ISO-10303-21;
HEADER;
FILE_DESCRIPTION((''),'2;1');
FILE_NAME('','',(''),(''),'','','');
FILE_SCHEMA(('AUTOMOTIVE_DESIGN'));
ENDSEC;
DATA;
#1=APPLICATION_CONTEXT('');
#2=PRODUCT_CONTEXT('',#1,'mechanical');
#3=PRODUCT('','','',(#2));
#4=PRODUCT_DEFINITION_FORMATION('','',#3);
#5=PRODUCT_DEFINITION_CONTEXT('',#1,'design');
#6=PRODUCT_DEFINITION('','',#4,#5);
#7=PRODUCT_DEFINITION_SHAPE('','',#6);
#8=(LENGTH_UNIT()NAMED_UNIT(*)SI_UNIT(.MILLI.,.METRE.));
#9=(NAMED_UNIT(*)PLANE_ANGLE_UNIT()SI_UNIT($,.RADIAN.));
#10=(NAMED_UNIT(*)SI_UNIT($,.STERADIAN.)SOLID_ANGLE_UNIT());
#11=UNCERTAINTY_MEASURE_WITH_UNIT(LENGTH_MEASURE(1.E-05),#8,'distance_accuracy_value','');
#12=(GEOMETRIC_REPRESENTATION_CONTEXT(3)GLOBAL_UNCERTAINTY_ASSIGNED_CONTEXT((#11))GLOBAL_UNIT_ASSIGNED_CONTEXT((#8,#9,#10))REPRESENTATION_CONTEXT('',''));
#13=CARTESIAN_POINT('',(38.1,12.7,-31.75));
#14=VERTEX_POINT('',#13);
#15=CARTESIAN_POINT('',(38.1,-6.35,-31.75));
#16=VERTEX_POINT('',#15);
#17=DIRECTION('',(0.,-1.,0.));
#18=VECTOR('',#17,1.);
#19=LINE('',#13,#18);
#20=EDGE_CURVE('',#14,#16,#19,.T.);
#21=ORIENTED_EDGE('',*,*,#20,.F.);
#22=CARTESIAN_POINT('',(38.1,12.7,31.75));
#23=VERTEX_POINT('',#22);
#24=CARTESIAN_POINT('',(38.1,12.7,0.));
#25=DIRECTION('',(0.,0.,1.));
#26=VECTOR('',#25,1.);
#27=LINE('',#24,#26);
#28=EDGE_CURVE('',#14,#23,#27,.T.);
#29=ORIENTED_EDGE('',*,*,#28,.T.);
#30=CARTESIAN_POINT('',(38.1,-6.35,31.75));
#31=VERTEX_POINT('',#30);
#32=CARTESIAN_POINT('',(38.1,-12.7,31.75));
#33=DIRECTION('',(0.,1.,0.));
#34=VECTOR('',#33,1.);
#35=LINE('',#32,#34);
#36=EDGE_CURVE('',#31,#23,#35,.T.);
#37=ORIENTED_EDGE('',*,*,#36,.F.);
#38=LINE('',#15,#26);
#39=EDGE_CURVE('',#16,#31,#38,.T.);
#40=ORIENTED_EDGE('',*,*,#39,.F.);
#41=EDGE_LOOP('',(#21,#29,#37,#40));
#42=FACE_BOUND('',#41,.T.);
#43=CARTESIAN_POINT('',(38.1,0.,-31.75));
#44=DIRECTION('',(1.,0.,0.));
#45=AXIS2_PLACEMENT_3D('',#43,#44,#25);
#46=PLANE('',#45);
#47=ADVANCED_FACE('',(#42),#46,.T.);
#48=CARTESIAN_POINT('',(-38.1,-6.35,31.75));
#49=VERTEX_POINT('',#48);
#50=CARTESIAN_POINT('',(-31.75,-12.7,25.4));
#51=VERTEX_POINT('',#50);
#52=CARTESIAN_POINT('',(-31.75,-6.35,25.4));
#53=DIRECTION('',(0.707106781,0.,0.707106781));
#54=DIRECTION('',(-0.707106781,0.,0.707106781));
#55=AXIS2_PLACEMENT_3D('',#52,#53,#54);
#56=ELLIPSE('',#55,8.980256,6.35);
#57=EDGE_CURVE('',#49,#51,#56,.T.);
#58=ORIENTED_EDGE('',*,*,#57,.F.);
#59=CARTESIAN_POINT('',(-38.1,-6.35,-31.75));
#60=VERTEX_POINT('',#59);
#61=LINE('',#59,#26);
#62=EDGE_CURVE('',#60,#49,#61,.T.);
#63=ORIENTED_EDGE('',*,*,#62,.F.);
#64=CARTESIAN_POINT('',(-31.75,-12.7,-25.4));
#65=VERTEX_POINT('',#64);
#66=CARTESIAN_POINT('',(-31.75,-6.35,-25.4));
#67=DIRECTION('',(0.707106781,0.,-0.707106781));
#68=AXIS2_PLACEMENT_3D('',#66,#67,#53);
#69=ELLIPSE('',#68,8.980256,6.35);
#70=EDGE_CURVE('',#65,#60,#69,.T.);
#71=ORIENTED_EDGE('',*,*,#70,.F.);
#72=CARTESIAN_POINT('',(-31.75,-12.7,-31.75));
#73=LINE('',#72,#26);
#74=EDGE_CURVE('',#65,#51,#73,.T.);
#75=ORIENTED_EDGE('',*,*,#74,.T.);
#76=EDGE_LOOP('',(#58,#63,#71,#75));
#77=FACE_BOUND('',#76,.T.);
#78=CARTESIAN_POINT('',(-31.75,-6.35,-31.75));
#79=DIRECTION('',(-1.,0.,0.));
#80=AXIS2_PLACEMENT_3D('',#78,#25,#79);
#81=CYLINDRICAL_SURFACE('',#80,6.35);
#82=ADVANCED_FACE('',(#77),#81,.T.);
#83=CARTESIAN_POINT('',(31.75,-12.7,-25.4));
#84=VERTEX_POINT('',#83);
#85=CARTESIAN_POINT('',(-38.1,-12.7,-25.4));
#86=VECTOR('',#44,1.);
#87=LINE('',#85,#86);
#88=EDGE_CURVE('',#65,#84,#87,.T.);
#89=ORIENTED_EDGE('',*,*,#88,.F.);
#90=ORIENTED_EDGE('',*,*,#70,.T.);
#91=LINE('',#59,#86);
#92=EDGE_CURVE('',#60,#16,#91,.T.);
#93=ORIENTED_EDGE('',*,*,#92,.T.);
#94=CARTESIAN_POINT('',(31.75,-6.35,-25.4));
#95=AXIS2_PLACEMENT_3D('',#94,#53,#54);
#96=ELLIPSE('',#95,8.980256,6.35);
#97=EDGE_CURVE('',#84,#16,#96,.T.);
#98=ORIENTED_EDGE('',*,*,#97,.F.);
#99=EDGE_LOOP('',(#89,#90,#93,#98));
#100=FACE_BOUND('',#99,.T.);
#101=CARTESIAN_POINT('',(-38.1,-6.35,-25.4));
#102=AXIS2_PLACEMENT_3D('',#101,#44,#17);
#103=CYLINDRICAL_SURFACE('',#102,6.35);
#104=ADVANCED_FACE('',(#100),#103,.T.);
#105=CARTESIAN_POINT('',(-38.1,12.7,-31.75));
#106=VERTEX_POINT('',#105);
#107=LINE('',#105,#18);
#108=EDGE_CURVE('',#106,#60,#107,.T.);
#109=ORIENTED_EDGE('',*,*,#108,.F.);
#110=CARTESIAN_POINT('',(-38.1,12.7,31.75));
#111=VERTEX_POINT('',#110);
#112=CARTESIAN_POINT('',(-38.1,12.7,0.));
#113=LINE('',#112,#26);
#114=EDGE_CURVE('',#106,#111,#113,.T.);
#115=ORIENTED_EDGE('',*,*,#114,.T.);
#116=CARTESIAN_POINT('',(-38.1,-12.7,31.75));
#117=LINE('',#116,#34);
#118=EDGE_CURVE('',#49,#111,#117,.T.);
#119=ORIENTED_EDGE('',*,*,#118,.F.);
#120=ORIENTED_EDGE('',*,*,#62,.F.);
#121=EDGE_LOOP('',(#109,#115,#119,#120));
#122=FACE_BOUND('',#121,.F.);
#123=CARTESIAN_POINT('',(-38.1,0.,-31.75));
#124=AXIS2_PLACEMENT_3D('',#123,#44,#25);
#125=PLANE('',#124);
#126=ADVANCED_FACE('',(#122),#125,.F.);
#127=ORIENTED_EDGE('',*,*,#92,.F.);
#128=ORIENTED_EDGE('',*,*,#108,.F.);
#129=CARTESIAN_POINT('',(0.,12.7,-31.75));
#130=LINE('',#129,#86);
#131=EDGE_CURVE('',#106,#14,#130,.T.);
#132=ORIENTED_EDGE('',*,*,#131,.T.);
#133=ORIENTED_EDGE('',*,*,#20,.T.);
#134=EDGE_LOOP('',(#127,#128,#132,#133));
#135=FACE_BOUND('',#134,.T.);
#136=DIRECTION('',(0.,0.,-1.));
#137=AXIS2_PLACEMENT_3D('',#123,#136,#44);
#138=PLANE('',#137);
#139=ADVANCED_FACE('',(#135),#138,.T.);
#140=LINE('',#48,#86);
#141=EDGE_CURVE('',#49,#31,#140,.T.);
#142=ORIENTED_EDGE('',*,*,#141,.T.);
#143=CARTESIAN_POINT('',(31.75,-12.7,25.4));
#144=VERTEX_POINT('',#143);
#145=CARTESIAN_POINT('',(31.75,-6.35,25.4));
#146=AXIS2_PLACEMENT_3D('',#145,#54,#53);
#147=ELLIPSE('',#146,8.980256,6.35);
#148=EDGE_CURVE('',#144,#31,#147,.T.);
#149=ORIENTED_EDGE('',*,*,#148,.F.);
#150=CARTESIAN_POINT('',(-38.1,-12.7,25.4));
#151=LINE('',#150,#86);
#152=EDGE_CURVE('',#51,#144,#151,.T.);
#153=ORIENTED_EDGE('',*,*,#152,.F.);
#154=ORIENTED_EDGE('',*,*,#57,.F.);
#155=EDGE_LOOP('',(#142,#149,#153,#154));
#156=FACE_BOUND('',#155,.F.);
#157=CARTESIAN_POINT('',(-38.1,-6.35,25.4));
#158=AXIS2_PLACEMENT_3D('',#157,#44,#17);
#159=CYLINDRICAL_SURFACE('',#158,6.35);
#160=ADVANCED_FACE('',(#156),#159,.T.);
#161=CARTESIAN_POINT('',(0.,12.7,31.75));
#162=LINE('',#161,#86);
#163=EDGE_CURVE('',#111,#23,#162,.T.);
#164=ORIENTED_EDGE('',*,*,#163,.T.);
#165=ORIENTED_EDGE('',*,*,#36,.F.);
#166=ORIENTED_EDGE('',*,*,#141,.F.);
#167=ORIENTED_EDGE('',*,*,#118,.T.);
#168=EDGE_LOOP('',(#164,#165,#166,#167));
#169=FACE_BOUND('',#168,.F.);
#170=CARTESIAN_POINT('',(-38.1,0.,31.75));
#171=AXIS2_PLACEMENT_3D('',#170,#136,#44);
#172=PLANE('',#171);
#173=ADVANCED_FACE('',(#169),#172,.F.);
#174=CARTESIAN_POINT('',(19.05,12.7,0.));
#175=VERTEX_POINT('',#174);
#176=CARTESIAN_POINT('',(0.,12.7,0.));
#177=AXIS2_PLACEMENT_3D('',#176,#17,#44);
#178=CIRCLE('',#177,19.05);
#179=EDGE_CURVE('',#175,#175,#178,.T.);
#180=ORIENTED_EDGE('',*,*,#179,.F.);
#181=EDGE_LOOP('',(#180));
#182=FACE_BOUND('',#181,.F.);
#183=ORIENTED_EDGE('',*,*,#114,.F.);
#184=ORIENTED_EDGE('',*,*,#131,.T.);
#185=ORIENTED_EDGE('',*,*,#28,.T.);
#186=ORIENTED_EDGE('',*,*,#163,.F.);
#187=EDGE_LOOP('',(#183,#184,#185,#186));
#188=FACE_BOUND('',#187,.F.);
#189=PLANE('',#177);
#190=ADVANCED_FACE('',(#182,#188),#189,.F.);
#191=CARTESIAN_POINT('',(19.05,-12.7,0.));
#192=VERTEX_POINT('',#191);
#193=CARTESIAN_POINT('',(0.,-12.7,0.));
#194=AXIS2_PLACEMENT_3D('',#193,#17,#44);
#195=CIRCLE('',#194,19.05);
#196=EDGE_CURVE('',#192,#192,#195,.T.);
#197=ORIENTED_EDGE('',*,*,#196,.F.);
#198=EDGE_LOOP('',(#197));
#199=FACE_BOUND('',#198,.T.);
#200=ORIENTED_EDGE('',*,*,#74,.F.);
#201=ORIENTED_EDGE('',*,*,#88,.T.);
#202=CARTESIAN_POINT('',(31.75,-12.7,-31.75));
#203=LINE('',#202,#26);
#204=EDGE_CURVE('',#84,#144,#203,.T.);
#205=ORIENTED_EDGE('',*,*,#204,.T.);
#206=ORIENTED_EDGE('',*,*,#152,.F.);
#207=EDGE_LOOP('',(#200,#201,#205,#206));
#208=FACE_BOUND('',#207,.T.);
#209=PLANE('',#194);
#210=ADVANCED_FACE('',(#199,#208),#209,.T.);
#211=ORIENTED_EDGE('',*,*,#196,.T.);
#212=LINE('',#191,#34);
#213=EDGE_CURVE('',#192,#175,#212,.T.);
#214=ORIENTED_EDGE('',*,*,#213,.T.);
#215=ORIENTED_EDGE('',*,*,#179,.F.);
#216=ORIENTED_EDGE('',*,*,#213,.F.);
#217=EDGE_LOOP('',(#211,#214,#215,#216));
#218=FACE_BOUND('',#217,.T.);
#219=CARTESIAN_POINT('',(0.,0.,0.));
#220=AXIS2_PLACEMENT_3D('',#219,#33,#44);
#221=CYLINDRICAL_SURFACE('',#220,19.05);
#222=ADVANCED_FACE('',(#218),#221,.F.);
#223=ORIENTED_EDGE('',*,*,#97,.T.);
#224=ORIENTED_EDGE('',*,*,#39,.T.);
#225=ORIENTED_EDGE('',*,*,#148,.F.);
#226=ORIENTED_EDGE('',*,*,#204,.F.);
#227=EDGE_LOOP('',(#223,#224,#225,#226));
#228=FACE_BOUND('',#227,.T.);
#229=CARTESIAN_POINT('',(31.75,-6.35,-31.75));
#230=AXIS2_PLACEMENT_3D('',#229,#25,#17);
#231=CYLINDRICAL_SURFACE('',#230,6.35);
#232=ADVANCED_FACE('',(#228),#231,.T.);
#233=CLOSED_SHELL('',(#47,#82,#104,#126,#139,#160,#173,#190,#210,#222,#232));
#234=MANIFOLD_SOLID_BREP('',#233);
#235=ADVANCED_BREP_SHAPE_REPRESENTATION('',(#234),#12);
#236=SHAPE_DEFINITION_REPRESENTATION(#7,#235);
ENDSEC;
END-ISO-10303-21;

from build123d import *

# Parameters (mm, degrees)
F0_W     = 76.2
F0_H     = 63.5
F0_R     = 19.05
F1_DEPTH = 12.7
F2_R     = 6.35


with BuildPart() as f1:
    # F0 (on Front) → F1 (new body, symmetric)
    with BuildSketch(Plane.XZ):
        Rectangle(F0_W, F0_H)
        Circle(F0_R, mode=Mode.SUBTRACT)
    extrude(amount=F1_DEPTH, both=True)

    # F2
    f2_edges = [f1.edges().sort_by_distance(p)[0] for p in [
        (38.1, -12.7, 0),
        (0, -12.7, -31.75),
        (-38.1, -12.7, 0),
        (0, -12.7, 31.75),
    ]]
    fillet(f2_edges, radius=F2_R)


solid = f1.part
